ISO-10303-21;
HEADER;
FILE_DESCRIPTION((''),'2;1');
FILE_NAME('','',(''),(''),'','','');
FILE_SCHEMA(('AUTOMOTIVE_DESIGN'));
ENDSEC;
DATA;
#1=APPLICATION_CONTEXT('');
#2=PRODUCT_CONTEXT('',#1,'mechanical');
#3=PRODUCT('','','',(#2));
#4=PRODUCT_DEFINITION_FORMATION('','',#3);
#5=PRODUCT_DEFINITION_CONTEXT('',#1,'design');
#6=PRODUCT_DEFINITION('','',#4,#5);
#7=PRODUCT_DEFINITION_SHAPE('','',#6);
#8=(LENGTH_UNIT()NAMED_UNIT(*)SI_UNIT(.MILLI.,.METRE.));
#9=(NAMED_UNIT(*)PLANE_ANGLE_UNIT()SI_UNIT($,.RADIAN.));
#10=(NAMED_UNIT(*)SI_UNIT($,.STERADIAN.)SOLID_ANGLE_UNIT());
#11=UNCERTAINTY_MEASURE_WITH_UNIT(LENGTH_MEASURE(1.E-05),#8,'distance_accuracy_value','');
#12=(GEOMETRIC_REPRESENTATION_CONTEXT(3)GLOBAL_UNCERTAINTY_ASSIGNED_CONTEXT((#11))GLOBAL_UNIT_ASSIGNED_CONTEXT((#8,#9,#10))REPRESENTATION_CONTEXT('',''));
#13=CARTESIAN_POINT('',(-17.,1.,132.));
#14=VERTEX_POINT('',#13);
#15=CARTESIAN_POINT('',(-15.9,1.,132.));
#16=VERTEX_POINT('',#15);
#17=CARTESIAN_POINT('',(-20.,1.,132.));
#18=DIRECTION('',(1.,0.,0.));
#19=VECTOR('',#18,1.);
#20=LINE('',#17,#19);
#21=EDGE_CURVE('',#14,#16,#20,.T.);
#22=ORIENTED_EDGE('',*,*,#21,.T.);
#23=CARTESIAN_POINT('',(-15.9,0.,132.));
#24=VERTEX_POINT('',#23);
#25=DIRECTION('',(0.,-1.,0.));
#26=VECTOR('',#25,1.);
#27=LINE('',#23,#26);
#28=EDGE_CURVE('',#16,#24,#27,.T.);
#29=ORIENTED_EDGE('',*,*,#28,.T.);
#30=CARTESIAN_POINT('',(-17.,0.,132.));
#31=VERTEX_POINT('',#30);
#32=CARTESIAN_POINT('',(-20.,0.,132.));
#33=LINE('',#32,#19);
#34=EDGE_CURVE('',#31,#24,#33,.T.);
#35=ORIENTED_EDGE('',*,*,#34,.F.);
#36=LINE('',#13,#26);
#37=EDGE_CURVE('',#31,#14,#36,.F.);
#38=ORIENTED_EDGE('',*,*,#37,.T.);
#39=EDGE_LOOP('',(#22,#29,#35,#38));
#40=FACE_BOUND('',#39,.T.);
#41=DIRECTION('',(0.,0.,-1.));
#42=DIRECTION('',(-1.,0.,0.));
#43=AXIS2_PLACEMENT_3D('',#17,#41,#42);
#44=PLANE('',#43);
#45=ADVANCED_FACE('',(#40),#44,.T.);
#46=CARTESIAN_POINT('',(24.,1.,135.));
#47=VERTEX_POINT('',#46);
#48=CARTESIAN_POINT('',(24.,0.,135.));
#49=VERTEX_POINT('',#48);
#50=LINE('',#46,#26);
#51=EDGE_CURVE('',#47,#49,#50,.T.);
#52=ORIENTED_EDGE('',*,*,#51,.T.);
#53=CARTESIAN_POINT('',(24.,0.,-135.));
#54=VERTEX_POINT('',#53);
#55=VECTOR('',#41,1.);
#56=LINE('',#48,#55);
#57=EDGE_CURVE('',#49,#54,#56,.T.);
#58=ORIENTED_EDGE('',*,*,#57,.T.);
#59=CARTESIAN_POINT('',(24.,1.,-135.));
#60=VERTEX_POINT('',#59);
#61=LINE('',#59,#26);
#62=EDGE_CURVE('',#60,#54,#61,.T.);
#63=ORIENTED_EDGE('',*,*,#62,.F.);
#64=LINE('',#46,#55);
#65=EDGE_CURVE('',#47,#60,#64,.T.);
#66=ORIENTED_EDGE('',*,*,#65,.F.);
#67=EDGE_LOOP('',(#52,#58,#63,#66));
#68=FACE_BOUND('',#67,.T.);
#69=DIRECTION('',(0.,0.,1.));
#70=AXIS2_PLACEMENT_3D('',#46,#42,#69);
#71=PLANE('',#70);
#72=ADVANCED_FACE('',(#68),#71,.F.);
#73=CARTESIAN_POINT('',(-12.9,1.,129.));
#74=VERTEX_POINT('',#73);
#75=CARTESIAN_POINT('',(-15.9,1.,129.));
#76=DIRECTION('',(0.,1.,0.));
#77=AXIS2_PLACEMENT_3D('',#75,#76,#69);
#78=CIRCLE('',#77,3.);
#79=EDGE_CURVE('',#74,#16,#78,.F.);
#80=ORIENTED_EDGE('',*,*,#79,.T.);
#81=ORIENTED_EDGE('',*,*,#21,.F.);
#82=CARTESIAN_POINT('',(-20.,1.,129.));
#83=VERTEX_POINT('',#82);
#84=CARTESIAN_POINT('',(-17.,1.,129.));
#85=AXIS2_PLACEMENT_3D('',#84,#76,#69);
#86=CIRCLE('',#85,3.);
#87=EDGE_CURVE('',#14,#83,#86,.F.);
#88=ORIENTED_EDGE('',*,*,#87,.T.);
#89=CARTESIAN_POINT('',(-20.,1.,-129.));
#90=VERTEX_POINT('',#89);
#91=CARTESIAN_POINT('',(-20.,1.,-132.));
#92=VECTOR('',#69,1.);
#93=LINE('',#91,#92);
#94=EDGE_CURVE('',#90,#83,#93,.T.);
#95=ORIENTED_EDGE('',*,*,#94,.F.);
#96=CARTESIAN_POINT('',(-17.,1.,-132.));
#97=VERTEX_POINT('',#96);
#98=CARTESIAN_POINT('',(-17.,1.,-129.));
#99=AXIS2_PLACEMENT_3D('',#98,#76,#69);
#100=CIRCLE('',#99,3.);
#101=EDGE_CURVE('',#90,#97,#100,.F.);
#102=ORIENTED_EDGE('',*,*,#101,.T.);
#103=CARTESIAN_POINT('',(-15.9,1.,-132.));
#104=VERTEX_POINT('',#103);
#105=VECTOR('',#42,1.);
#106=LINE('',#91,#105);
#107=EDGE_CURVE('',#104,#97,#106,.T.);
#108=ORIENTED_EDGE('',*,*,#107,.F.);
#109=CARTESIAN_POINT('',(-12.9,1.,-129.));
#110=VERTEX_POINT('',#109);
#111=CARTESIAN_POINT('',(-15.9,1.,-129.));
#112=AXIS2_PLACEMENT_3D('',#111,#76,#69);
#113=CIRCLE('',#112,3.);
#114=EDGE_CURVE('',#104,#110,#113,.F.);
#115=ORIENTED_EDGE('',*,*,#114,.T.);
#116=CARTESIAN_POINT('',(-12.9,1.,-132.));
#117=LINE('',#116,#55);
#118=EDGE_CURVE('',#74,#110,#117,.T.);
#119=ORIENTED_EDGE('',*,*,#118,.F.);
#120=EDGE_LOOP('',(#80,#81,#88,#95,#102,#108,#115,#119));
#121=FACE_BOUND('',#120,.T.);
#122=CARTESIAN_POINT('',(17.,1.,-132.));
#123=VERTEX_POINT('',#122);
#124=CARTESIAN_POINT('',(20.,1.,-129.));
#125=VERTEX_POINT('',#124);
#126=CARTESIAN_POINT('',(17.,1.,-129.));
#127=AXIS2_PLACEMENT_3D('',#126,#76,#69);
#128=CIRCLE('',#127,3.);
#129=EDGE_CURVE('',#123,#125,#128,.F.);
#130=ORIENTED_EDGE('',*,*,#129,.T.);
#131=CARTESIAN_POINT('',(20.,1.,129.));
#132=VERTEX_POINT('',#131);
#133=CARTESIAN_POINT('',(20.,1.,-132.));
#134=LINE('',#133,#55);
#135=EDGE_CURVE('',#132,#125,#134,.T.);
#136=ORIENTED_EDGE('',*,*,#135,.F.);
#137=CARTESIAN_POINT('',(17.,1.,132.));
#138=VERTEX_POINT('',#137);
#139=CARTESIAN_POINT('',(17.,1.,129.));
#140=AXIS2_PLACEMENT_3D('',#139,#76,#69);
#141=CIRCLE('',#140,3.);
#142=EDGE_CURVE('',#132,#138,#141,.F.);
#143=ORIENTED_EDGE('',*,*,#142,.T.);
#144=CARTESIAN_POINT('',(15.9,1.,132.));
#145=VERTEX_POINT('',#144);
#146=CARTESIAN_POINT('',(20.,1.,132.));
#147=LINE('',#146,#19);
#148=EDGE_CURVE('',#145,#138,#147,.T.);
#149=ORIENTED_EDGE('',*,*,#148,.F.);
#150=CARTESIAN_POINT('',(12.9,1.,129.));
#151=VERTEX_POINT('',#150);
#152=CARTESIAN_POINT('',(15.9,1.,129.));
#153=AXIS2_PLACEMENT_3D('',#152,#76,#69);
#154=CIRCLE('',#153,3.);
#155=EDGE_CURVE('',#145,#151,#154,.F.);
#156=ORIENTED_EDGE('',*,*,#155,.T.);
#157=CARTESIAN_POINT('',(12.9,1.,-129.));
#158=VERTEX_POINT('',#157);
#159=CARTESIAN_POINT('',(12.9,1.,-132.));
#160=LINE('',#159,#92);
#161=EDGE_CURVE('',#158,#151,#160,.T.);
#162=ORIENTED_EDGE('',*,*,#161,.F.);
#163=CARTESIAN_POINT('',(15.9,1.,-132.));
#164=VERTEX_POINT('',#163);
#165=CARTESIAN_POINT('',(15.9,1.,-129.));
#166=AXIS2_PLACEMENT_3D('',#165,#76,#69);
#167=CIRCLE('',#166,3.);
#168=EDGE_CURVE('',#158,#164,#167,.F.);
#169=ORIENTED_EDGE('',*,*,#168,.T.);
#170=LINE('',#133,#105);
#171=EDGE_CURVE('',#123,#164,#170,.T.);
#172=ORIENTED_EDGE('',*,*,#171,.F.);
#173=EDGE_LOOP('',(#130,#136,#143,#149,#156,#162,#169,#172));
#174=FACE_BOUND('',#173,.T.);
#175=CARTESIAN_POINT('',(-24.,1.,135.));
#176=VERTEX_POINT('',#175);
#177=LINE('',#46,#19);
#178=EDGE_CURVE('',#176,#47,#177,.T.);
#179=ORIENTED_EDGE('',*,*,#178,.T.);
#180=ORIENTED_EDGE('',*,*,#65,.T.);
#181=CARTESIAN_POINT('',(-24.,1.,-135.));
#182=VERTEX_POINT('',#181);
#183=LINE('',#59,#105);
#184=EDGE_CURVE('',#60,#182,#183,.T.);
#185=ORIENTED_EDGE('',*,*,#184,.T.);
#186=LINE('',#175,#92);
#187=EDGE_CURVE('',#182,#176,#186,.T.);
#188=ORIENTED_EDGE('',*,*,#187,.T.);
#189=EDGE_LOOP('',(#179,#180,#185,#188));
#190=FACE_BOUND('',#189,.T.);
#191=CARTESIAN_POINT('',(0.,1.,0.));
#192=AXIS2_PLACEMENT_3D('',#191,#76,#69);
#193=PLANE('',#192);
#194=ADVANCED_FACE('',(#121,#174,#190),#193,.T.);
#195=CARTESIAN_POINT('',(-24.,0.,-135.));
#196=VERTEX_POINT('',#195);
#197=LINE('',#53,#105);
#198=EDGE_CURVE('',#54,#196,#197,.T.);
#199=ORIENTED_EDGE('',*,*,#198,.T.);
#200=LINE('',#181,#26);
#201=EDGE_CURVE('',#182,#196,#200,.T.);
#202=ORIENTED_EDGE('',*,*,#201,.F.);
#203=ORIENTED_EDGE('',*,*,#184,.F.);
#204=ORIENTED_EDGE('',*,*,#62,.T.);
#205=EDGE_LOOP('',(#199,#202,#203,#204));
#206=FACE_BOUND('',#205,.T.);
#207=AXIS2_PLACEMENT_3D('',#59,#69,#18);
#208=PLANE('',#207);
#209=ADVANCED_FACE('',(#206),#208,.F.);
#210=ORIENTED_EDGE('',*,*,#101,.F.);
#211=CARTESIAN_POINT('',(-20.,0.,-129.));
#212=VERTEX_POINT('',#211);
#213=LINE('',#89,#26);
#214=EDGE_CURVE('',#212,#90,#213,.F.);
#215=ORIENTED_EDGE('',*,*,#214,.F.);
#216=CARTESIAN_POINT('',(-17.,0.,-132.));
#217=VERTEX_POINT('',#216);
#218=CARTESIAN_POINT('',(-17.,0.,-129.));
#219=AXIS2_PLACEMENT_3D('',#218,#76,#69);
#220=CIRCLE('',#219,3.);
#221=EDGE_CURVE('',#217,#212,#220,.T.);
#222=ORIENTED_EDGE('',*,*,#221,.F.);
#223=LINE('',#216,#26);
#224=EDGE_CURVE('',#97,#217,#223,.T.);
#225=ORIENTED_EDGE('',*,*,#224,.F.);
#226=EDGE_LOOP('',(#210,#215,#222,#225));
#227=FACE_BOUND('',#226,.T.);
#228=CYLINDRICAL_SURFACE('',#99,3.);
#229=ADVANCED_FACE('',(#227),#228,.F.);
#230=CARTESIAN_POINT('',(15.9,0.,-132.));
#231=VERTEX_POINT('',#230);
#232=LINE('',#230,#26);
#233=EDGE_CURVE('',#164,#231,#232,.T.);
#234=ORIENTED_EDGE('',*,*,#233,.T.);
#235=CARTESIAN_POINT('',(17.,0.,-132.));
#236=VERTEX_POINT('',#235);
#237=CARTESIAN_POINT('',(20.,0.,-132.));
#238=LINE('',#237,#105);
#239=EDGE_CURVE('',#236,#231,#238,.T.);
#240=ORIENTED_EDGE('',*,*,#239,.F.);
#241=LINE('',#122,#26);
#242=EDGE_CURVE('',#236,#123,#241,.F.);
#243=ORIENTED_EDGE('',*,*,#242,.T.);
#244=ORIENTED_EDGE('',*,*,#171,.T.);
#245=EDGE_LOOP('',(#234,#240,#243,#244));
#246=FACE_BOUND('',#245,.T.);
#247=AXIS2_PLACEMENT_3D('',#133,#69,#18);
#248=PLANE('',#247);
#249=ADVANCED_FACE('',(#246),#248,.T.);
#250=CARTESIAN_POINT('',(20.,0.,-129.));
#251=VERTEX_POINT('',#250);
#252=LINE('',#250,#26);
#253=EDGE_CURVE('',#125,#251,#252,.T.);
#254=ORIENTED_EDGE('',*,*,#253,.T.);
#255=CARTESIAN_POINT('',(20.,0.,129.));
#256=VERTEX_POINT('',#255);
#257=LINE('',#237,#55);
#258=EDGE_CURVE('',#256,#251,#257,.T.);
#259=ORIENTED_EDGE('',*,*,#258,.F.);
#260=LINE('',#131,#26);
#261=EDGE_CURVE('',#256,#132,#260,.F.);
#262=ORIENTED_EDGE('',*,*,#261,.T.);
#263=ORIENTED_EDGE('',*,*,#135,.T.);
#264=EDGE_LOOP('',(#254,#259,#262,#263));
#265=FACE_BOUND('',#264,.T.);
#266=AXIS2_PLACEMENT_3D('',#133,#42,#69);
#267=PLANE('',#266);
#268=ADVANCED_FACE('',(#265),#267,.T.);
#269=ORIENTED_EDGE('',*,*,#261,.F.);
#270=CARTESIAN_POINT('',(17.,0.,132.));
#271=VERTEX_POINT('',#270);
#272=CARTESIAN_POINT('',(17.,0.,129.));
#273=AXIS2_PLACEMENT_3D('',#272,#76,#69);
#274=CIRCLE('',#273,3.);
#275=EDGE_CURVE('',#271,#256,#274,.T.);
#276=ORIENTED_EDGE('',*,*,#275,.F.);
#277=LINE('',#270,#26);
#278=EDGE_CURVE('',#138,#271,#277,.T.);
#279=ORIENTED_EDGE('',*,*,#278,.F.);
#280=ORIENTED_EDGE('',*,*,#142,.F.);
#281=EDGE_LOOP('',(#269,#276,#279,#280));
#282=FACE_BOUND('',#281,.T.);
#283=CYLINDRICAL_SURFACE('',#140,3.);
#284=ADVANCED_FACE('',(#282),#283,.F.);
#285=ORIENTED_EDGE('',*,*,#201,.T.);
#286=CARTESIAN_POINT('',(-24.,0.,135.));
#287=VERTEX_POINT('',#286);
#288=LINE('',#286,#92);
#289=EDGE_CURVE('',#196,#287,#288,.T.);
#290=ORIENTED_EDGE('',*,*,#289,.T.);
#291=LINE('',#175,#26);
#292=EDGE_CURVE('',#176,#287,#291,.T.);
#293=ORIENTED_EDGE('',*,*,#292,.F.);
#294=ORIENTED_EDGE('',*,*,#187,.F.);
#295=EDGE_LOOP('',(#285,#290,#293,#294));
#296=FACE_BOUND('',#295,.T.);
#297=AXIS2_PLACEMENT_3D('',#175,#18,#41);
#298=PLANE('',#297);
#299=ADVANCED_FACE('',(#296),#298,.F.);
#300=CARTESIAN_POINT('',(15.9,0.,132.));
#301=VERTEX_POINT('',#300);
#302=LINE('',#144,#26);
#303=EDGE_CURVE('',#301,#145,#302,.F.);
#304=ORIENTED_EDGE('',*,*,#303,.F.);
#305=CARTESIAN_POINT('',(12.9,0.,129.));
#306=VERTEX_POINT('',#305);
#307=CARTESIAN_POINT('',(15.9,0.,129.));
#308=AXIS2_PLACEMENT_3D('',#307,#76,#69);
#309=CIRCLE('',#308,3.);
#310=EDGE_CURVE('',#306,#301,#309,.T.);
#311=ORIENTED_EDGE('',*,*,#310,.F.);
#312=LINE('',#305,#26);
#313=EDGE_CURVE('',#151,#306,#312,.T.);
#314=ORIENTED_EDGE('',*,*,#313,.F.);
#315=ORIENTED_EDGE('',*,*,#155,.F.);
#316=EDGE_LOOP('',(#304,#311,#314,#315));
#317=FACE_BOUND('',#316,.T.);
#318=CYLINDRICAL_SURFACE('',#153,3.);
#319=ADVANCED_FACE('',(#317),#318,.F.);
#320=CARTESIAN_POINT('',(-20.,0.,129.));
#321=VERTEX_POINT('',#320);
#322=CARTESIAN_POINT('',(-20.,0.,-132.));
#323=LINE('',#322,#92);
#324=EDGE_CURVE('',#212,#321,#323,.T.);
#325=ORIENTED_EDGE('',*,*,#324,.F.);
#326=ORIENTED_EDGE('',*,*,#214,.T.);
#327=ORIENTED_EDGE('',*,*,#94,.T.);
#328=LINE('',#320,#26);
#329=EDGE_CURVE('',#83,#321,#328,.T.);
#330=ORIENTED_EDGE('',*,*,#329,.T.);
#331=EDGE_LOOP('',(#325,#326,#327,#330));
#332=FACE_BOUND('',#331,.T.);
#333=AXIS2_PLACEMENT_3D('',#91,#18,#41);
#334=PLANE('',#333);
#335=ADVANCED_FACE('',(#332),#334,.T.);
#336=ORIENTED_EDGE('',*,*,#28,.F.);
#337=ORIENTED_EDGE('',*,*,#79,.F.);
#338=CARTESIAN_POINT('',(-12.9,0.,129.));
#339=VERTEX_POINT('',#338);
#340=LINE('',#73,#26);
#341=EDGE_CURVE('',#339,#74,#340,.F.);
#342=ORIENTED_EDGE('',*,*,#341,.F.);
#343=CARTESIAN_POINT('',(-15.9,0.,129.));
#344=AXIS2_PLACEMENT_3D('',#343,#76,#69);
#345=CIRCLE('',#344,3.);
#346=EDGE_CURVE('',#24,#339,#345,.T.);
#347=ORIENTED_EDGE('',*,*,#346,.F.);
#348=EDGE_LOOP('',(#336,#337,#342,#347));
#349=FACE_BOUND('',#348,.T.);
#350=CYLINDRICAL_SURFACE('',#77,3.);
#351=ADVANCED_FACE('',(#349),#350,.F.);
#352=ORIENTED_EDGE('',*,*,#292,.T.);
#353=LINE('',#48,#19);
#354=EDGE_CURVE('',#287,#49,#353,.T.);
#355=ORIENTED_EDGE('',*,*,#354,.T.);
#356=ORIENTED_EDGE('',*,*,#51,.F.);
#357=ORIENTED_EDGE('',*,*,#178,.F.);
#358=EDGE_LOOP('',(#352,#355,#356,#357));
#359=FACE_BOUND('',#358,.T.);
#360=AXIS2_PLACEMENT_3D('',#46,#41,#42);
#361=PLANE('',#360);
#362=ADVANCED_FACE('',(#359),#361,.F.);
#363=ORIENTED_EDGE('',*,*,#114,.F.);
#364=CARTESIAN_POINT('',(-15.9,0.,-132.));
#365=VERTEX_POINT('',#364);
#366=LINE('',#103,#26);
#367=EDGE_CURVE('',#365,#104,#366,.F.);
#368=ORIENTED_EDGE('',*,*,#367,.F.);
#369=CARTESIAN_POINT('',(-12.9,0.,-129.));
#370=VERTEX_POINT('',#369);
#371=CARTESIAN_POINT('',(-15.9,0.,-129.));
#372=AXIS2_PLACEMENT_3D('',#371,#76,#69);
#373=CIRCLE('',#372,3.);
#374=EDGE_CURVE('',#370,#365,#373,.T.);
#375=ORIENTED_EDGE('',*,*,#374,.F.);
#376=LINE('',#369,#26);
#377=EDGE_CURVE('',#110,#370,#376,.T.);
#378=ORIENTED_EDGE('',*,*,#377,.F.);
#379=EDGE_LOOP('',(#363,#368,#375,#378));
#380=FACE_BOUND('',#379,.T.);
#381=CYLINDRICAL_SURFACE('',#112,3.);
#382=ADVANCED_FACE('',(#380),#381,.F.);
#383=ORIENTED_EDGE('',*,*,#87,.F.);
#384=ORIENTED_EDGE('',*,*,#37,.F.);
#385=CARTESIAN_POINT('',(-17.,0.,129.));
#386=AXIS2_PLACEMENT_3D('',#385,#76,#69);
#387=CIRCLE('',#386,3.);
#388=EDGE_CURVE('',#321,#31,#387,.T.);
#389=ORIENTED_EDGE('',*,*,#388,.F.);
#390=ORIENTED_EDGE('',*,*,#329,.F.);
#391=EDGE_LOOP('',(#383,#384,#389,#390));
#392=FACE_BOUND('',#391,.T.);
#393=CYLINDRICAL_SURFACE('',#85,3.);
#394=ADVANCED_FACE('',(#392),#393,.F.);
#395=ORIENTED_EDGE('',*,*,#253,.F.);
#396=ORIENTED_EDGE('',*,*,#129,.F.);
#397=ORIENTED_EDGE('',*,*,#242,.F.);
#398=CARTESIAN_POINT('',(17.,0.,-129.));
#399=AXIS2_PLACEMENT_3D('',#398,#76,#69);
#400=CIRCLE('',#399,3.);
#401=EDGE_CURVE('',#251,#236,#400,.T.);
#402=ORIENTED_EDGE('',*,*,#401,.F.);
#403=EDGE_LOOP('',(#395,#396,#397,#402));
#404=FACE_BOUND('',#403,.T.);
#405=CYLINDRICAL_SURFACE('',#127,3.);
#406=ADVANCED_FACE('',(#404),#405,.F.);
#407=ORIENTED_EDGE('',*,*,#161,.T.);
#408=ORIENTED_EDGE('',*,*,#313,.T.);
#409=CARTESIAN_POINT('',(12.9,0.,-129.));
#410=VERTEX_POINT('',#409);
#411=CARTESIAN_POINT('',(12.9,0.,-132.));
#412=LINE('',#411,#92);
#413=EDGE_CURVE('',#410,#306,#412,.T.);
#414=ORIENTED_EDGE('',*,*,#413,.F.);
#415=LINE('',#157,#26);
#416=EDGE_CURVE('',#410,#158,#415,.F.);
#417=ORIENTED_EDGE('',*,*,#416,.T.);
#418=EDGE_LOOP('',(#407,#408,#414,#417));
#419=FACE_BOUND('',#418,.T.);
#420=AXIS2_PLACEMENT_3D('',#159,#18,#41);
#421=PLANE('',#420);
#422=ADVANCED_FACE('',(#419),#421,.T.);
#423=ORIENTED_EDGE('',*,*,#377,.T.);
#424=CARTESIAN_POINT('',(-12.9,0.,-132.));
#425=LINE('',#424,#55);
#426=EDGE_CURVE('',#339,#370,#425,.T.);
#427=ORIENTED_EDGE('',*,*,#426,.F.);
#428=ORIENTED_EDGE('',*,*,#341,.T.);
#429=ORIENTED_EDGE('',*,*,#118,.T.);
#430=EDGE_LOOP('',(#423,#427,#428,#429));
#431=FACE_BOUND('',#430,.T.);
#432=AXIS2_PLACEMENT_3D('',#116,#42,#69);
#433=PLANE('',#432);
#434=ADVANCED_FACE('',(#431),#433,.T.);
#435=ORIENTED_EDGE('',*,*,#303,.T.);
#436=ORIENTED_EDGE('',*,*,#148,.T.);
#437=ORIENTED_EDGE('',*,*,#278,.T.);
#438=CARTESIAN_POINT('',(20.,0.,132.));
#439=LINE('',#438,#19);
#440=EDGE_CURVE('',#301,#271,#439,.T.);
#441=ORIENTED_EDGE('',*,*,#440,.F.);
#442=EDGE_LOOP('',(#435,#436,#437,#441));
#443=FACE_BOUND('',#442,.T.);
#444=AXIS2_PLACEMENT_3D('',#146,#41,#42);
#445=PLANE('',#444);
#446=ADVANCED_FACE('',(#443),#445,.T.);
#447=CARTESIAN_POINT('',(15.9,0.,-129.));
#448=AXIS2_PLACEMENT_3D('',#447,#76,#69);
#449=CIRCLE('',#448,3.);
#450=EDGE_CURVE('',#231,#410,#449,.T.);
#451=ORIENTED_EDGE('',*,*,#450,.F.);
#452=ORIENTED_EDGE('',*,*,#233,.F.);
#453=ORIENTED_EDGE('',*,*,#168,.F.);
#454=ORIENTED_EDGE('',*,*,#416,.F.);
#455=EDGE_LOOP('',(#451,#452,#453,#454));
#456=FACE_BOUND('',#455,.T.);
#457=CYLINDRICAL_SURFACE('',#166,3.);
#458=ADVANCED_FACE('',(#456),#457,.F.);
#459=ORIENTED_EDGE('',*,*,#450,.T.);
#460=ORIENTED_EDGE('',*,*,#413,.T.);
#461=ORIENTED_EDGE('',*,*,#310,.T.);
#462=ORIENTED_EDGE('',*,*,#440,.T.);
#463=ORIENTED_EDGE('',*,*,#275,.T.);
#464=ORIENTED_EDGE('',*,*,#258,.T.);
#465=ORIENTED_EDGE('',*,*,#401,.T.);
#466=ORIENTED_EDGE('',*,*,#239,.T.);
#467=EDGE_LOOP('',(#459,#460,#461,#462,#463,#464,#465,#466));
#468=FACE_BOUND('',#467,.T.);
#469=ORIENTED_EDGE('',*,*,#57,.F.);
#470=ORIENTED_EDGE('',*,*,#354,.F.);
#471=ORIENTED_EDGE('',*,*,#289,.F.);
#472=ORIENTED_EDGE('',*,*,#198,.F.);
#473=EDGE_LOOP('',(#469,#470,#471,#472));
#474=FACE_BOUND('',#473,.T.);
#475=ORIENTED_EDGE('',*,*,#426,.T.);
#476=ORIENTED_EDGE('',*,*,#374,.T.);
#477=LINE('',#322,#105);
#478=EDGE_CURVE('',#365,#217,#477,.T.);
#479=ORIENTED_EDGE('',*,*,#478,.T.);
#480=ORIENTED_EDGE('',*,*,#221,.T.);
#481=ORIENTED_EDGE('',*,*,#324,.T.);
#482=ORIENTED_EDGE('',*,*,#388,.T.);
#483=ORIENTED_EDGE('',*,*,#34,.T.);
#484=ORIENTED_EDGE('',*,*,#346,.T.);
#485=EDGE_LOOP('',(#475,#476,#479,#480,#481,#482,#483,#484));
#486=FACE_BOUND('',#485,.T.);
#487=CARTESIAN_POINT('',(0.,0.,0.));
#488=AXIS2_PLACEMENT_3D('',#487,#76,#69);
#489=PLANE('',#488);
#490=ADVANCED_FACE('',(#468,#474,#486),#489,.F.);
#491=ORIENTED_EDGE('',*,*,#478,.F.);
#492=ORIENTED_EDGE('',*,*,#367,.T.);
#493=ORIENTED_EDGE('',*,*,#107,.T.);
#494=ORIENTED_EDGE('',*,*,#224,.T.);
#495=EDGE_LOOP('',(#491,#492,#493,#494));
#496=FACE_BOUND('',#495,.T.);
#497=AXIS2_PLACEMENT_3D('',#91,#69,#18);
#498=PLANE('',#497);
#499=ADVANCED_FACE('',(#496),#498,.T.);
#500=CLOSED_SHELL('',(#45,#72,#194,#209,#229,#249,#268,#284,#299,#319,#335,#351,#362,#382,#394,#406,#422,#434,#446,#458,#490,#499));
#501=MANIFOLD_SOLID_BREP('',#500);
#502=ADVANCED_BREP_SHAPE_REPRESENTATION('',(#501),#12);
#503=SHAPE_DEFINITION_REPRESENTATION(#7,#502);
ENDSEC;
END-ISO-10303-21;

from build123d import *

# Parameters (mm, degrees)
SKETCH1_W           = 48
SKETCH1_H           = 270
SKETCH1_W_2         = 7.1
SKETCH1_H_2         = 264
BOSS_EXTRUDE1_DEPTH = 1
FILLET1_R           = 3


with BuildPart() as part:
    # Sketch1 → Boss-Extrude1 (new body)
    with BuildSketch(Plane(origin=(0, 0, 0), x_dir=(1, 0, 0), z_dir=(0, 1, 0))):
        Rectangle(SKETCH1_W, SKETCH1_H)
        with Locations((-16.45, 0)):
            Rectangle(SKETCH1_W_2, SKETCH1_H_2, mode=Mode.SUBTRACT)
        with Locations((16.45, 0)):
            Rectangle(SKETCH1_W_2, SKETCH1_H_2, mode=Mode.SUBTRACT)
    extrude(amount=BOSS_EXTRUDE1_DEPTH)

    # Fillet1
    fillet1_edges = [part.edges().sort_by_distance(p)[0] for p in [
        (-20, 0.5, -132),
        (-20, 0.5, 132),
        (-12.9, 0.5, 132),
        (-12.9, 0.5, -132),
        (20, 0.5, 132),
        (20, 0.5, -132),
        (12.9, 0.5, -132),
        (12.9, 0.5, 132),
    ]]
    fillet(fillet1_edges, radius=FILLET1_R)


solid = part.part
